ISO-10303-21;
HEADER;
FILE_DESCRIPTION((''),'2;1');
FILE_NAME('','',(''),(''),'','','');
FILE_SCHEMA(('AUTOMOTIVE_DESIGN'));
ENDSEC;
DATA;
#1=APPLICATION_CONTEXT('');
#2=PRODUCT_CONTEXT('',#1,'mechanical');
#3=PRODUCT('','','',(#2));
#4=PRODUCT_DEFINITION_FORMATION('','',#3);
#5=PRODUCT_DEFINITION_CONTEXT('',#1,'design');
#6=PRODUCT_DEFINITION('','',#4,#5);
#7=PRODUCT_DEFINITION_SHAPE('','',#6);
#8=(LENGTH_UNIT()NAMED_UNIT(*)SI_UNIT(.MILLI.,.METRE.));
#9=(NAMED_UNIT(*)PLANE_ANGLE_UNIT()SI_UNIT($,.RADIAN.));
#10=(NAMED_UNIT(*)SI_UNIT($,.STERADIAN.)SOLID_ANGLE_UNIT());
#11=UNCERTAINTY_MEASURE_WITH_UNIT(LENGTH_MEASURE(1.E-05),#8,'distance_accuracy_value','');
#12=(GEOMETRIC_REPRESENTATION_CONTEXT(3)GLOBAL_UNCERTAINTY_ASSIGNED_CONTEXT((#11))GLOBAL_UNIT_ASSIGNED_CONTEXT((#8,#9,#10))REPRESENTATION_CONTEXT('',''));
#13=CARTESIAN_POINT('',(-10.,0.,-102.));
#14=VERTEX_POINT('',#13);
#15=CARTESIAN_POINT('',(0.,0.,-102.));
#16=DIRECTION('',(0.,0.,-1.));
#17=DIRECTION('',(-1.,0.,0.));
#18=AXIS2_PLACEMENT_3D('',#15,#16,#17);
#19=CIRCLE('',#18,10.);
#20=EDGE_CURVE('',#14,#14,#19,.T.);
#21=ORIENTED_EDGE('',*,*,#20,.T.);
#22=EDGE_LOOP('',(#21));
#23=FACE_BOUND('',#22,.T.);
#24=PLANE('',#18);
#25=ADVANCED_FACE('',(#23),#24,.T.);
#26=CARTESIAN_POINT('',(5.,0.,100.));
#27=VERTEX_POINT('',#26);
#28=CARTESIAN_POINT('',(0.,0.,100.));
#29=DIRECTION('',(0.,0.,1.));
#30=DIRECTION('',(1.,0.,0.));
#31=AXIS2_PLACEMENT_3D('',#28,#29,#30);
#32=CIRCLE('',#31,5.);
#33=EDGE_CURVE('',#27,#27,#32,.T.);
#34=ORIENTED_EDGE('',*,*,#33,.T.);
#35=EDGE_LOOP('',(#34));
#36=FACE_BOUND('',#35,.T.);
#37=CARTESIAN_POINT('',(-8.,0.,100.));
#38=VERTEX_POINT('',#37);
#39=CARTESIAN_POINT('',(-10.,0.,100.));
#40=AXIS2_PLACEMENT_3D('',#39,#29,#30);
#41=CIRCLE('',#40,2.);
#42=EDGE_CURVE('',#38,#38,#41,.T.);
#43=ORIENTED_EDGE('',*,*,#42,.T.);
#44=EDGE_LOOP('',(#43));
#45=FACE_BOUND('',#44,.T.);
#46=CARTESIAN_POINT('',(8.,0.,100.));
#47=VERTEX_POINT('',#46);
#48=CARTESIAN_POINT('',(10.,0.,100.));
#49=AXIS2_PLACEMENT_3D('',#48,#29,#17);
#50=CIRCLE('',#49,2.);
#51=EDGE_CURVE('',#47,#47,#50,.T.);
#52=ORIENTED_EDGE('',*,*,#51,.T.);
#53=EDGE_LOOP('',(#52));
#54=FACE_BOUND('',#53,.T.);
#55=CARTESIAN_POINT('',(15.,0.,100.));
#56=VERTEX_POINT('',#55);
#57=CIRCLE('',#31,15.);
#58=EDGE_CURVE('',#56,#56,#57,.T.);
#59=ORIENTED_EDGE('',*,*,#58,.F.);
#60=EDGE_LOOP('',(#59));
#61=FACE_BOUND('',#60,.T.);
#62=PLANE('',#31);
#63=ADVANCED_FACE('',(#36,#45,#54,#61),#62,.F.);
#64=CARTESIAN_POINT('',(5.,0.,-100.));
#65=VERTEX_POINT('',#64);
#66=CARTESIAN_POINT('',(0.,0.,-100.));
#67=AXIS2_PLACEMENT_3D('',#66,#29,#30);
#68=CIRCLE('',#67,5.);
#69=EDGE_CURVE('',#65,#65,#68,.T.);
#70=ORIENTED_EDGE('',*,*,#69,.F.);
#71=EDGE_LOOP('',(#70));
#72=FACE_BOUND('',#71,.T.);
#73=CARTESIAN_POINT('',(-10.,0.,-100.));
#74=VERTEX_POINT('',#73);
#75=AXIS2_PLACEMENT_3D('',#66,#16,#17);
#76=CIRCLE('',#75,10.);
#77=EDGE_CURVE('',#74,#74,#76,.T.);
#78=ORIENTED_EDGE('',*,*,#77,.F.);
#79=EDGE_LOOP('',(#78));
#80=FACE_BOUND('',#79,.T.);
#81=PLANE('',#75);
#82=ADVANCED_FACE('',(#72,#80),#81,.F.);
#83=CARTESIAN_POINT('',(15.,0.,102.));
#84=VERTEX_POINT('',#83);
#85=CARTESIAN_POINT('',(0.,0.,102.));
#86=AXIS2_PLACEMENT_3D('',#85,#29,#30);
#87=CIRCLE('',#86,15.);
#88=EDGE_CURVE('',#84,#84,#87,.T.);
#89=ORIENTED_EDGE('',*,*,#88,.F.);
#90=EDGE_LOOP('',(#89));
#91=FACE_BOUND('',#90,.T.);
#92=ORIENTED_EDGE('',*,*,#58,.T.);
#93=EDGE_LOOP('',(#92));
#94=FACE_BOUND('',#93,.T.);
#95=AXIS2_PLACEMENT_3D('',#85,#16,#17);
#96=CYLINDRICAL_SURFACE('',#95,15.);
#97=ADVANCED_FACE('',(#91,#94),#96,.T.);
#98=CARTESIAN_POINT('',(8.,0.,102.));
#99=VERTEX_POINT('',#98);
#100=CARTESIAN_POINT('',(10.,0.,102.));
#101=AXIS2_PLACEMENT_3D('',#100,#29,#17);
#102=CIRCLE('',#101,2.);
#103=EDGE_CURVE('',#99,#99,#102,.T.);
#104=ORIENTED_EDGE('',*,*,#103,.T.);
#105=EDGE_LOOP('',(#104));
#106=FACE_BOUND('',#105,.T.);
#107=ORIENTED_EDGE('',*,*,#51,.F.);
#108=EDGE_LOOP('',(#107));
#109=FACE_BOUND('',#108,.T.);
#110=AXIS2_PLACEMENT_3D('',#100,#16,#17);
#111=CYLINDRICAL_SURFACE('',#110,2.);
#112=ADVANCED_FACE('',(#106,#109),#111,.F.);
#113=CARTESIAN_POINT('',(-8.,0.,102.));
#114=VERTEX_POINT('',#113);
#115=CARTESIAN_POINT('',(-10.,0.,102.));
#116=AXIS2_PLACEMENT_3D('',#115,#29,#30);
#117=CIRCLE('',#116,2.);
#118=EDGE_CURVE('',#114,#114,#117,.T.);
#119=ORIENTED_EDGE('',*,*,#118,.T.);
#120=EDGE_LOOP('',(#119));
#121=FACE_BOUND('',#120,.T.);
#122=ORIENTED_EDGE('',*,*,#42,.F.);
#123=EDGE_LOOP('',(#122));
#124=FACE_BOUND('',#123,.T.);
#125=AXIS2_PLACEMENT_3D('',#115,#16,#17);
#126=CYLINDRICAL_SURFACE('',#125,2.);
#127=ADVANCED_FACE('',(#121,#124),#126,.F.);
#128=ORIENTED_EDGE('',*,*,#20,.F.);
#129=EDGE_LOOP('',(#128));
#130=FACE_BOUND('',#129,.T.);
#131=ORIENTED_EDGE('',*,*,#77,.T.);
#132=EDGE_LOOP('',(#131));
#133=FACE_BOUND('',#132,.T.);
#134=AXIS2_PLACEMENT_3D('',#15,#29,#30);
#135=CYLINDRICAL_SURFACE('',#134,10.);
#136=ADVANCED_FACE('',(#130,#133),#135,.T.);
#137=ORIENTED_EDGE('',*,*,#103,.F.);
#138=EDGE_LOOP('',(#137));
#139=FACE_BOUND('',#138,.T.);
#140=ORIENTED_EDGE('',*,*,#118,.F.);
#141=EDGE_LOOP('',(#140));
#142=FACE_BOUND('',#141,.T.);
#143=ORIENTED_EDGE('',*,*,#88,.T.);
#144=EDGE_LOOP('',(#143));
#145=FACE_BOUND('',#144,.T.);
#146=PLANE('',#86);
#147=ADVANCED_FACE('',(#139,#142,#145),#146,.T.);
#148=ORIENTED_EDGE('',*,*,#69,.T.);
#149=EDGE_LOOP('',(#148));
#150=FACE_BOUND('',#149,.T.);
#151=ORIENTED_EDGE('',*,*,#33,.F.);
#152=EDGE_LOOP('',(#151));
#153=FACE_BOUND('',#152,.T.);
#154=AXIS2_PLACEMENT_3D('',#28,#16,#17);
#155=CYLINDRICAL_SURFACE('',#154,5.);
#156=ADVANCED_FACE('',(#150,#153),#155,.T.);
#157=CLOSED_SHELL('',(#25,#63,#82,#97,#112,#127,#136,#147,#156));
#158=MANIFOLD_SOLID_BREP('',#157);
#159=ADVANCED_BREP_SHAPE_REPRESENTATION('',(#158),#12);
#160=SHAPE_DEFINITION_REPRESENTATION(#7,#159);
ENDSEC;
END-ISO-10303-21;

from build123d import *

# Parameters (mm, degrees)
SKETCH_1_R      = 5
EXTRUDE_1_DEPTH = 100
SKETCH_2_R      = 10
EXTRUDE_2_DEPTH = 2
SKETCH_3_R      = 15
SKETCH_3_R_2    = 2
EXTRUDE_3_DEPTH = 2


with BuildPart() as part:
    # 草图1 → 凸台-拉伸1 (new, symmetric)
    with BuildSketch(Plane.XY):
        Circle(SKETCH_1_R)
    extrude(amount=EXTRUDE_1_DEPTH, both=True)

    # 草图2 → 凸台-拉伸2 (add)
    with BuildSketch(Plane(origin=(0, 0, -100), x_dir=(-1, 0, 0), z_dir=(0, 0, -1))):
        Circle(SKETCH_2_R)
    extrude(amount=EXTRUDE_2_DEPTH)

    # 草图3 → 凸台-拉伸3 (add)
    with BuildSketch(Plane.XY.offset(100)):
        Circle(SKETCH_3_R)
        with Locations((-10, 0)):
            Circle(SKETCH_3_R_2, mode=Mode.SUBTRACT)
        with Locations(Location((10, 0, 0), (0, 0, 180))):
            Circle(SKETCH_3_R_2, mode=Mode.SUBTRACT)
    extrude(amount=EXTRUDE_3_DEPTH)


solid = part.part
